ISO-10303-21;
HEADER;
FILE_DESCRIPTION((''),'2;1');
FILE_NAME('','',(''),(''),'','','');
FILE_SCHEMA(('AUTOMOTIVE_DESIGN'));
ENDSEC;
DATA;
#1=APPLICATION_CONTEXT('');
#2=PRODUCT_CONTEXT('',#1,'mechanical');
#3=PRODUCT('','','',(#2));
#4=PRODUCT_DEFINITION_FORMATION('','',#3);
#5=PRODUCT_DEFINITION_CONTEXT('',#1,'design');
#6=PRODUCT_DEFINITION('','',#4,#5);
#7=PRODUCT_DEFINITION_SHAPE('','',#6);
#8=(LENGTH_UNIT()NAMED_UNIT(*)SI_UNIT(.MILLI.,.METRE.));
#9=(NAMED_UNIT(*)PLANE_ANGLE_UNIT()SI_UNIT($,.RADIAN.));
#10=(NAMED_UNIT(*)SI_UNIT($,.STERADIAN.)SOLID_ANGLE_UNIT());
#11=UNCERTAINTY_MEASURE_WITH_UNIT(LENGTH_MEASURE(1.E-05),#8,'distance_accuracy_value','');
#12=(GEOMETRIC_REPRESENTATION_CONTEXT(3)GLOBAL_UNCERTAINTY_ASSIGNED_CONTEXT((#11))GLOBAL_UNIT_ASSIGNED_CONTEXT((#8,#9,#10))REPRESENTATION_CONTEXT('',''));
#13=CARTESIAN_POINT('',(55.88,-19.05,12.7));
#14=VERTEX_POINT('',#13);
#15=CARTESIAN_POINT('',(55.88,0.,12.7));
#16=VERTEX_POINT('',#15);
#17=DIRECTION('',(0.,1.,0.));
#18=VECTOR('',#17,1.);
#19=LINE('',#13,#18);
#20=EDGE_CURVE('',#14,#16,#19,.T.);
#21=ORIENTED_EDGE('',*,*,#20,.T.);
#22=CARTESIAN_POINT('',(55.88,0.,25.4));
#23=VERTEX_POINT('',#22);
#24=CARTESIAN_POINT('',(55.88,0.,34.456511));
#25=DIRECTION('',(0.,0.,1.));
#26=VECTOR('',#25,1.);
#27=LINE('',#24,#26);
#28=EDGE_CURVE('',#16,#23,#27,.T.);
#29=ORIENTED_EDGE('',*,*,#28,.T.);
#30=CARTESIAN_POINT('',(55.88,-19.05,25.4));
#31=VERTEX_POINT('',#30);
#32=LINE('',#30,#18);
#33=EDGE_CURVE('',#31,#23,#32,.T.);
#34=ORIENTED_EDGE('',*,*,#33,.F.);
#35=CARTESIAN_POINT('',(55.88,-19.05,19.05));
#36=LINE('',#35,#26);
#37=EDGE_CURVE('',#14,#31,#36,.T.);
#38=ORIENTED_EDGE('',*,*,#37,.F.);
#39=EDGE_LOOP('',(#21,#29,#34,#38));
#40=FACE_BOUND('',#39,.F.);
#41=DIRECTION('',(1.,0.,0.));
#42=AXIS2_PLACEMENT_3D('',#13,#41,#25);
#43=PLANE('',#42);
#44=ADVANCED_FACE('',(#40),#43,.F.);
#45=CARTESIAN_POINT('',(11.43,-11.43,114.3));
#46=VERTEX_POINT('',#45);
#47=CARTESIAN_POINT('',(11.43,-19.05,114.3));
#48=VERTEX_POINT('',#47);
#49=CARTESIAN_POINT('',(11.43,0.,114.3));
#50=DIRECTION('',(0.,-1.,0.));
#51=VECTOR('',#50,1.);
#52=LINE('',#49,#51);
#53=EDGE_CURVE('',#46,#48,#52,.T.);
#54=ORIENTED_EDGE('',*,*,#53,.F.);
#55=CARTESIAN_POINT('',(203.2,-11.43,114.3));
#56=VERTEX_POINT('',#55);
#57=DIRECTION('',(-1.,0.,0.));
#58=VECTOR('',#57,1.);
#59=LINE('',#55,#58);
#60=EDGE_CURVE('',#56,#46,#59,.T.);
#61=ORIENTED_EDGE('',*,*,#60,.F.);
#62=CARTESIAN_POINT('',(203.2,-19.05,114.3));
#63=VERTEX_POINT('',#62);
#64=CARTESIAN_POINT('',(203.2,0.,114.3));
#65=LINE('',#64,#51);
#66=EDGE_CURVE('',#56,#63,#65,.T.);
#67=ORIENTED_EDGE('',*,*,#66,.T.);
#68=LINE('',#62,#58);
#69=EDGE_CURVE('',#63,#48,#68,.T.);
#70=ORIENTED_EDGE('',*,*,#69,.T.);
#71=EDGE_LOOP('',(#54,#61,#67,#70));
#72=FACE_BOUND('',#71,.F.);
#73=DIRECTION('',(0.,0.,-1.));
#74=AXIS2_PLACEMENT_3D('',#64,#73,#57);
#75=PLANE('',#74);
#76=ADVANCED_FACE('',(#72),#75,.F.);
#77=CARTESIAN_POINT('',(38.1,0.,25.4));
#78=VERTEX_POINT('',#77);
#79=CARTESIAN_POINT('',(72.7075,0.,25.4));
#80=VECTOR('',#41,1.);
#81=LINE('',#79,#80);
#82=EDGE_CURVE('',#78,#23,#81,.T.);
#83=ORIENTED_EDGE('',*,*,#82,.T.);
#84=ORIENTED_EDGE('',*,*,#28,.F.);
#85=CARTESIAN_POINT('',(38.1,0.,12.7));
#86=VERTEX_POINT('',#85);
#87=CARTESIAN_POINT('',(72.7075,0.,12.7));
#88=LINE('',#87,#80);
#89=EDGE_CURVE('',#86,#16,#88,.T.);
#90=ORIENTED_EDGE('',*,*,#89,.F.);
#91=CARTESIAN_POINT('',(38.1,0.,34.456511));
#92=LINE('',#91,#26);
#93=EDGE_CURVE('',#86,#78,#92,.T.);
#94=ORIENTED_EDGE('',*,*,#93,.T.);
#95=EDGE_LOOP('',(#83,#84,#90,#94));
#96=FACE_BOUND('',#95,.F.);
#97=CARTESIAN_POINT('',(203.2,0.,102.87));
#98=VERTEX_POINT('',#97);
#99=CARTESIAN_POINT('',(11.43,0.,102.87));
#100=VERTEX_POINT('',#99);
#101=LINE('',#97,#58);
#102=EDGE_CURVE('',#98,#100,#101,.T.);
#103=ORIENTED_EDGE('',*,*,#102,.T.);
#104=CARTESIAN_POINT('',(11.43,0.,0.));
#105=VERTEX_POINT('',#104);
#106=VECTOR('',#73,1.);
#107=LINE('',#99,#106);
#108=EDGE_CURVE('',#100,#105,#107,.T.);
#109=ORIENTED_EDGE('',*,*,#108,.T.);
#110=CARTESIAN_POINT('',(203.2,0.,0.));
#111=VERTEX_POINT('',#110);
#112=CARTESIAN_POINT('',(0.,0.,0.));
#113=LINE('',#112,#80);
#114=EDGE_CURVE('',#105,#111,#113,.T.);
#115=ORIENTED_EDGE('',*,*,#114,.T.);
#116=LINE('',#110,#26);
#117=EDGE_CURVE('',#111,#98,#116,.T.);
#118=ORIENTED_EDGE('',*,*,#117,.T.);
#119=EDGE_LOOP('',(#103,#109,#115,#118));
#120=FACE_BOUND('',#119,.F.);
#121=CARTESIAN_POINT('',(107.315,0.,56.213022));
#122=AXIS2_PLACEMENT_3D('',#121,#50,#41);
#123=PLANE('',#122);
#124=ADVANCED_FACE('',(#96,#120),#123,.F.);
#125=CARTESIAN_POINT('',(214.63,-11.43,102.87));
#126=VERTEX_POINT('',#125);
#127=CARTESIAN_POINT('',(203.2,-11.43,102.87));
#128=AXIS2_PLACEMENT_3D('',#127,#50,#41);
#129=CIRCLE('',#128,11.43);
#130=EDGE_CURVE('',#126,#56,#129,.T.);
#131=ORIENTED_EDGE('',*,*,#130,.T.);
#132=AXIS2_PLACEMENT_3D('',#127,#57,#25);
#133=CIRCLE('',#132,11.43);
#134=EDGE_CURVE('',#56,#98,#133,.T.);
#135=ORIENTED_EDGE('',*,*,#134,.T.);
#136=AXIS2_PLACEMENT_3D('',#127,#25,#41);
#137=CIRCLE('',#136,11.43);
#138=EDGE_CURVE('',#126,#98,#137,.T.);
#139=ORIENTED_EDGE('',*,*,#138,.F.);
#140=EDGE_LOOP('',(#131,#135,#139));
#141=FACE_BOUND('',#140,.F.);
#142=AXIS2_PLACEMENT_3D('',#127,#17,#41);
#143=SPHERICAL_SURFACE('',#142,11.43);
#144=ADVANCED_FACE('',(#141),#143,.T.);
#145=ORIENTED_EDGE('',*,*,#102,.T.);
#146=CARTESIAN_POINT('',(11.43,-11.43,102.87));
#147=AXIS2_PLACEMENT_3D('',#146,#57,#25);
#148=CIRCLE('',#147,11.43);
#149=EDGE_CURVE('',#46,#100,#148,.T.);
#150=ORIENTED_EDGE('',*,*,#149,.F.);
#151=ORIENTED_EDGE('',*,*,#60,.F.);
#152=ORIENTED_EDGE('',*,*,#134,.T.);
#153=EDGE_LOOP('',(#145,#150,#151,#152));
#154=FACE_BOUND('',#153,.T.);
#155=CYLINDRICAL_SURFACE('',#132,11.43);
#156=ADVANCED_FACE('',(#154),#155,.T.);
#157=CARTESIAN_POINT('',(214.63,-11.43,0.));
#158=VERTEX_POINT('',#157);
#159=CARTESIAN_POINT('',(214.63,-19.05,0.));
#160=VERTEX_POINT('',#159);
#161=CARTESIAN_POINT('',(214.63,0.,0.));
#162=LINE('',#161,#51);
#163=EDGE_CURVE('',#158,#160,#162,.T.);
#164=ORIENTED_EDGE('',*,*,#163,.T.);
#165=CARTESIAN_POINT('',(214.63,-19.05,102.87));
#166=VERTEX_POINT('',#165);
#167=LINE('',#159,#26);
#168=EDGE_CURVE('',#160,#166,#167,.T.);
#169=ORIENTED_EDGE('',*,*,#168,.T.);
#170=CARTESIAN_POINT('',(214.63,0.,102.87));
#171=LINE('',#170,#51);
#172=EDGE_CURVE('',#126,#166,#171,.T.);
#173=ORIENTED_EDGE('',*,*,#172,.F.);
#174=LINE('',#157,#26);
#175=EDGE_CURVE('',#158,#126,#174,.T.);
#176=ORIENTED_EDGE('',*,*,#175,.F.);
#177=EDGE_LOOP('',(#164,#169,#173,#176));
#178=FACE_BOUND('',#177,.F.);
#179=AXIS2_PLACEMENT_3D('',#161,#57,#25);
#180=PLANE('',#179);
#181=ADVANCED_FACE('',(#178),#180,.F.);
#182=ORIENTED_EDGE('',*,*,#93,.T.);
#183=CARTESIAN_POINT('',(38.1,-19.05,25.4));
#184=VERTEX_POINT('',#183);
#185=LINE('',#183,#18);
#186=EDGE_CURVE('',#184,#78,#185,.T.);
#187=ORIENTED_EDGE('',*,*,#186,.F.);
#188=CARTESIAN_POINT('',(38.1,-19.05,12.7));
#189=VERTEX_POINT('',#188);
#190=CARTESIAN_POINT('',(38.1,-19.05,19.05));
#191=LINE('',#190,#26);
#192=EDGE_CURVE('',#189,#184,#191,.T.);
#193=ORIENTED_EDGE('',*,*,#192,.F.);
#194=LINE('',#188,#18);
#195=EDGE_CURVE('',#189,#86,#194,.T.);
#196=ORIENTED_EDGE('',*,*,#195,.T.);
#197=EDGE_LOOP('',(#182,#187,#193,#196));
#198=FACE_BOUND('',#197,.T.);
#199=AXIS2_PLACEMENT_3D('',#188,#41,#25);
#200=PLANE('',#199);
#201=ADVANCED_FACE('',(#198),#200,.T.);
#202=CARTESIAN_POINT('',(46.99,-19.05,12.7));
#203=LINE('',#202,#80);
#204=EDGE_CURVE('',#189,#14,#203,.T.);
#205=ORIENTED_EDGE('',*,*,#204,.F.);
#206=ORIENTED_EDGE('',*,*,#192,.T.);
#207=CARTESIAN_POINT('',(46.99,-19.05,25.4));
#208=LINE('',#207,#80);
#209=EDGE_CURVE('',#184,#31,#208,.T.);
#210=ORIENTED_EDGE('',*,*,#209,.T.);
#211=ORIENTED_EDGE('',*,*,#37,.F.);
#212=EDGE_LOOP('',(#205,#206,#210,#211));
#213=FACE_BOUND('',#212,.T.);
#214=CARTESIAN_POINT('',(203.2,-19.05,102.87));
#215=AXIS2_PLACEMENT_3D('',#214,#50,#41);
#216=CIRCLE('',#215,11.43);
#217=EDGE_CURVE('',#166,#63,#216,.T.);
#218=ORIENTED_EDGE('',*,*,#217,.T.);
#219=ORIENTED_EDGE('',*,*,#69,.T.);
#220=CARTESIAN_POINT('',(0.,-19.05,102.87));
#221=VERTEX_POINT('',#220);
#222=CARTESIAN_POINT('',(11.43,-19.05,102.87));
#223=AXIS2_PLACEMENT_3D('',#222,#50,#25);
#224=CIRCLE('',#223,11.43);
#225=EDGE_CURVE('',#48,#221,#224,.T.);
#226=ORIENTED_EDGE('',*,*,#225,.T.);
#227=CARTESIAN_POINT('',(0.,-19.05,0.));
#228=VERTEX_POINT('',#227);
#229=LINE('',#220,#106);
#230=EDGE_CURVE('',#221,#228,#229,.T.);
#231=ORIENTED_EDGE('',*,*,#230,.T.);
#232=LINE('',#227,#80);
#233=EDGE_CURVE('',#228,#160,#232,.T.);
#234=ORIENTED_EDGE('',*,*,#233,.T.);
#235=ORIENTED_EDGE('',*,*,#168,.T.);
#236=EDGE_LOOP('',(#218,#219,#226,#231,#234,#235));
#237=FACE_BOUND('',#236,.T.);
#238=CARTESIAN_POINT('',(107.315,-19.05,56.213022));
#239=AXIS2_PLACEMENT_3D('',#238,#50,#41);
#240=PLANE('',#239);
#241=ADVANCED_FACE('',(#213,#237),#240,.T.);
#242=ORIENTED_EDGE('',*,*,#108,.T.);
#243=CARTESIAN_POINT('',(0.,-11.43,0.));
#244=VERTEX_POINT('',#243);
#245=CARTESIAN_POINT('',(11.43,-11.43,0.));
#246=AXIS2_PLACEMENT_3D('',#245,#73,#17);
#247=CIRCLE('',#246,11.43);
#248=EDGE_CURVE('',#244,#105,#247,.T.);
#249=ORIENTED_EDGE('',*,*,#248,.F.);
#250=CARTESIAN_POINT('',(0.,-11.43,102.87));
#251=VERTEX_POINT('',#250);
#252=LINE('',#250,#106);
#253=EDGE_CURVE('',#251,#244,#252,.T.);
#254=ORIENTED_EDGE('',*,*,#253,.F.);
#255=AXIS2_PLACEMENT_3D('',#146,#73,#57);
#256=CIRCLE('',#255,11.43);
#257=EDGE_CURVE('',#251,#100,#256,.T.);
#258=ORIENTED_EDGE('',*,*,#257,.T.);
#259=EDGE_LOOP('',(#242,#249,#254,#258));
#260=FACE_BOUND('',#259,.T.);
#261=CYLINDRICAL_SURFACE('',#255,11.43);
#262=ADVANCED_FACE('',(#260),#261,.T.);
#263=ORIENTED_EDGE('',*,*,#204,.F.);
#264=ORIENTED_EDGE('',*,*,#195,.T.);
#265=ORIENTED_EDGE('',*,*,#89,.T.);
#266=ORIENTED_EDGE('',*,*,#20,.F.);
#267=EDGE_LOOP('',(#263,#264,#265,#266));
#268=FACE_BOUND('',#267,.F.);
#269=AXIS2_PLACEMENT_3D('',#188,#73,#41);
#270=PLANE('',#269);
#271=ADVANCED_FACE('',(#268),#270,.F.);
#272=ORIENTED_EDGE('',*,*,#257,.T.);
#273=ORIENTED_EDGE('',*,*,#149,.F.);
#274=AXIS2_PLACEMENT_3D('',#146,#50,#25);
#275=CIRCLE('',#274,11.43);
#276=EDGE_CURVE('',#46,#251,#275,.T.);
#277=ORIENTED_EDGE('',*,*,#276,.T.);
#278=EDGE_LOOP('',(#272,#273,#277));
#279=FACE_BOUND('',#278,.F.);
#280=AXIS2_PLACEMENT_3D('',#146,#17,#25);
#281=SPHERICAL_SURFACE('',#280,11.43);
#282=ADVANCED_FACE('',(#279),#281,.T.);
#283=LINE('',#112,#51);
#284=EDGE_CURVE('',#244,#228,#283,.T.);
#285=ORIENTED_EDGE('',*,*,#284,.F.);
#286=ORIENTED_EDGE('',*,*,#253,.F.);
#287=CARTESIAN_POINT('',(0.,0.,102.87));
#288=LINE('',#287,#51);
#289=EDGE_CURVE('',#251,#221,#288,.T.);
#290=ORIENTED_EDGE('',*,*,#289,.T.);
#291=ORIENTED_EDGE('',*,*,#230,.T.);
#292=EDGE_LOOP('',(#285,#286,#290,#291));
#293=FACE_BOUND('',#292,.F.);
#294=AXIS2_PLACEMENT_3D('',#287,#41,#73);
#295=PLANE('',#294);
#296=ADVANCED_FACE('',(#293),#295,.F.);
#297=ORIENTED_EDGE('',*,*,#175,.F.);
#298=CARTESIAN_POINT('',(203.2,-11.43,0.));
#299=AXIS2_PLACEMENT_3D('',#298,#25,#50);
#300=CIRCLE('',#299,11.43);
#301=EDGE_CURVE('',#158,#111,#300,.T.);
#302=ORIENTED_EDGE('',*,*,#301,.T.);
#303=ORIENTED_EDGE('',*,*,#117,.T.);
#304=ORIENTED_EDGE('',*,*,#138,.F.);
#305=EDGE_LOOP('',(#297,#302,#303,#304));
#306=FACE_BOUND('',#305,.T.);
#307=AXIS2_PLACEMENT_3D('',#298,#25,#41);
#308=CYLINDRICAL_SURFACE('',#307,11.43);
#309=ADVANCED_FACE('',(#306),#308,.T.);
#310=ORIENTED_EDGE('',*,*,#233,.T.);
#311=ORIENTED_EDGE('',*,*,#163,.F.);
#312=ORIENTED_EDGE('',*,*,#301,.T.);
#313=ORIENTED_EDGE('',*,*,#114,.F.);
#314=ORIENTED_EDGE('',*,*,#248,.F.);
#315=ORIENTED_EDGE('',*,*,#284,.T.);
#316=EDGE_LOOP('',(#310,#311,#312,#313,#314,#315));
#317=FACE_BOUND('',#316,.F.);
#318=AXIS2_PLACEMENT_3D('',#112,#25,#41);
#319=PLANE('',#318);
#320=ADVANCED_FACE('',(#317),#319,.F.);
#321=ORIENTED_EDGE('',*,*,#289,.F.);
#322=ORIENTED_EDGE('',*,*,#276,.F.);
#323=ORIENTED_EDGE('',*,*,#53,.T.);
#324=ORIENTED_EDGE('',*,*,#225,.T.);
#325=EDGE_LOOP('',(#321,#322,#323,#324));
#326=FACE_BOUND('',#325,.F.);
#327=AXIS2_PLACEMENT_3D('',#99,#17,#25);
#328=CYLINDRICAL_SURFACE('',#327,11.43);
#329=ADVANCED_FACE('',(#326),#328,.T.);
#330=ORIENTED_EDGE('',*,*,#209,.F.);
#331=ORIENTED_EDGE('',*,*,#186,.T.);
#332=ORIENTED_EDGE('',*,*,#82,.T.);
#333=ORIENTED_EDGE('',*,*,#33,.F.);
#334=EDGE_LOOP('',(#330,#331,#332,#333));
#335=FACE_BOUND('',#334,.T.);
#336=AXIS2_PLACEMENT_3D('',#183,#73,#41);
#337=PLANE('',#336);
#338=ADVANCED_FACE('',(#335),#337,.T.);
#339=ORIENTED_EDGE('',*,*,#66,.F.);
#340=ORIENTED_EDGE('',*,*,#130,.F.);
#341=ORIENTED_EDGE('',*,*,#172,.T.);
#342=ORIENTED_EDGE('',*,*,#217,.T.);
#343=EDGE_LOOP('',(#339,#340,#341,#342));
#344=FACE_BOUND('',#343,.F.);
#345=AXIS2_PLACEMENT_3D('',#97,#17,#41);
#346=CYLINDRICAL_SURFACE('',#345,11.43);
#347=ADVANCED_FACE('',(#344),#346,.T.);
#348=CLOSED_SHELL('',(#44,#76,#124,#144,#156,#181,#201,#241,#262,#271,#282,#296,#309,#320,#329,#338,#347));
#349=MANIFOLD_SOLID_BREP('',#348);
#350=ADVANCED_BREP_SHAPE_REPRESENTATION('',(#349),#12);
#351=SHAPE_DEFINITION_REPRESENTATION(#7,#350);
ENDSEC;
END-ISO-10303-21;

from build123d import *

# Parameters (mm, degrees)
F1_DEPTH = 19.05
F2_R     = 11.43
F3_W     = 17.78
F3_H     = 12.7
F4_DEPTH = 25.4


with BuildPart() as f1:
    # F0 (on Front) → F1 (new body)
    with BuildSketch(Plane.XZ):
        with BuildLine():
            Line((0, 102.87), (0, 0))
            Line((0, 0), (214.63, 0))
            Line((214.63, 0), (214.63, 102.87))
            ThreePointArc((214.63, 102.87), (211.282230509, 110.952230509), (203.2, 114.3))
            Line((203.2, 114.3), (11.43, 114.3))
            ThreePointArc((11.43, 114.3), (3.347769491, 110.952230509), (0, 102.87))
        make_face()
    extrude(amount=F1_DEPTH)

    # F2
    f2_edges = [f1.edges().sort_by_distance(p)[0] for p in [
        (107.315, 0, 114.3),
    ]]
    fillet(f2_edges, radius=F2_R)

    # F3 (on face) → F4 (cut)
    with BuildSketch(Plane.XZ.offset(19.05)):
        with Locations((46.99, 19.05)):
            Rectangle(F3_W, F3_H)
    extrude(amount=-F4_DEPTH, mode=Mode.SUBTRACT)


solid = f1.part
